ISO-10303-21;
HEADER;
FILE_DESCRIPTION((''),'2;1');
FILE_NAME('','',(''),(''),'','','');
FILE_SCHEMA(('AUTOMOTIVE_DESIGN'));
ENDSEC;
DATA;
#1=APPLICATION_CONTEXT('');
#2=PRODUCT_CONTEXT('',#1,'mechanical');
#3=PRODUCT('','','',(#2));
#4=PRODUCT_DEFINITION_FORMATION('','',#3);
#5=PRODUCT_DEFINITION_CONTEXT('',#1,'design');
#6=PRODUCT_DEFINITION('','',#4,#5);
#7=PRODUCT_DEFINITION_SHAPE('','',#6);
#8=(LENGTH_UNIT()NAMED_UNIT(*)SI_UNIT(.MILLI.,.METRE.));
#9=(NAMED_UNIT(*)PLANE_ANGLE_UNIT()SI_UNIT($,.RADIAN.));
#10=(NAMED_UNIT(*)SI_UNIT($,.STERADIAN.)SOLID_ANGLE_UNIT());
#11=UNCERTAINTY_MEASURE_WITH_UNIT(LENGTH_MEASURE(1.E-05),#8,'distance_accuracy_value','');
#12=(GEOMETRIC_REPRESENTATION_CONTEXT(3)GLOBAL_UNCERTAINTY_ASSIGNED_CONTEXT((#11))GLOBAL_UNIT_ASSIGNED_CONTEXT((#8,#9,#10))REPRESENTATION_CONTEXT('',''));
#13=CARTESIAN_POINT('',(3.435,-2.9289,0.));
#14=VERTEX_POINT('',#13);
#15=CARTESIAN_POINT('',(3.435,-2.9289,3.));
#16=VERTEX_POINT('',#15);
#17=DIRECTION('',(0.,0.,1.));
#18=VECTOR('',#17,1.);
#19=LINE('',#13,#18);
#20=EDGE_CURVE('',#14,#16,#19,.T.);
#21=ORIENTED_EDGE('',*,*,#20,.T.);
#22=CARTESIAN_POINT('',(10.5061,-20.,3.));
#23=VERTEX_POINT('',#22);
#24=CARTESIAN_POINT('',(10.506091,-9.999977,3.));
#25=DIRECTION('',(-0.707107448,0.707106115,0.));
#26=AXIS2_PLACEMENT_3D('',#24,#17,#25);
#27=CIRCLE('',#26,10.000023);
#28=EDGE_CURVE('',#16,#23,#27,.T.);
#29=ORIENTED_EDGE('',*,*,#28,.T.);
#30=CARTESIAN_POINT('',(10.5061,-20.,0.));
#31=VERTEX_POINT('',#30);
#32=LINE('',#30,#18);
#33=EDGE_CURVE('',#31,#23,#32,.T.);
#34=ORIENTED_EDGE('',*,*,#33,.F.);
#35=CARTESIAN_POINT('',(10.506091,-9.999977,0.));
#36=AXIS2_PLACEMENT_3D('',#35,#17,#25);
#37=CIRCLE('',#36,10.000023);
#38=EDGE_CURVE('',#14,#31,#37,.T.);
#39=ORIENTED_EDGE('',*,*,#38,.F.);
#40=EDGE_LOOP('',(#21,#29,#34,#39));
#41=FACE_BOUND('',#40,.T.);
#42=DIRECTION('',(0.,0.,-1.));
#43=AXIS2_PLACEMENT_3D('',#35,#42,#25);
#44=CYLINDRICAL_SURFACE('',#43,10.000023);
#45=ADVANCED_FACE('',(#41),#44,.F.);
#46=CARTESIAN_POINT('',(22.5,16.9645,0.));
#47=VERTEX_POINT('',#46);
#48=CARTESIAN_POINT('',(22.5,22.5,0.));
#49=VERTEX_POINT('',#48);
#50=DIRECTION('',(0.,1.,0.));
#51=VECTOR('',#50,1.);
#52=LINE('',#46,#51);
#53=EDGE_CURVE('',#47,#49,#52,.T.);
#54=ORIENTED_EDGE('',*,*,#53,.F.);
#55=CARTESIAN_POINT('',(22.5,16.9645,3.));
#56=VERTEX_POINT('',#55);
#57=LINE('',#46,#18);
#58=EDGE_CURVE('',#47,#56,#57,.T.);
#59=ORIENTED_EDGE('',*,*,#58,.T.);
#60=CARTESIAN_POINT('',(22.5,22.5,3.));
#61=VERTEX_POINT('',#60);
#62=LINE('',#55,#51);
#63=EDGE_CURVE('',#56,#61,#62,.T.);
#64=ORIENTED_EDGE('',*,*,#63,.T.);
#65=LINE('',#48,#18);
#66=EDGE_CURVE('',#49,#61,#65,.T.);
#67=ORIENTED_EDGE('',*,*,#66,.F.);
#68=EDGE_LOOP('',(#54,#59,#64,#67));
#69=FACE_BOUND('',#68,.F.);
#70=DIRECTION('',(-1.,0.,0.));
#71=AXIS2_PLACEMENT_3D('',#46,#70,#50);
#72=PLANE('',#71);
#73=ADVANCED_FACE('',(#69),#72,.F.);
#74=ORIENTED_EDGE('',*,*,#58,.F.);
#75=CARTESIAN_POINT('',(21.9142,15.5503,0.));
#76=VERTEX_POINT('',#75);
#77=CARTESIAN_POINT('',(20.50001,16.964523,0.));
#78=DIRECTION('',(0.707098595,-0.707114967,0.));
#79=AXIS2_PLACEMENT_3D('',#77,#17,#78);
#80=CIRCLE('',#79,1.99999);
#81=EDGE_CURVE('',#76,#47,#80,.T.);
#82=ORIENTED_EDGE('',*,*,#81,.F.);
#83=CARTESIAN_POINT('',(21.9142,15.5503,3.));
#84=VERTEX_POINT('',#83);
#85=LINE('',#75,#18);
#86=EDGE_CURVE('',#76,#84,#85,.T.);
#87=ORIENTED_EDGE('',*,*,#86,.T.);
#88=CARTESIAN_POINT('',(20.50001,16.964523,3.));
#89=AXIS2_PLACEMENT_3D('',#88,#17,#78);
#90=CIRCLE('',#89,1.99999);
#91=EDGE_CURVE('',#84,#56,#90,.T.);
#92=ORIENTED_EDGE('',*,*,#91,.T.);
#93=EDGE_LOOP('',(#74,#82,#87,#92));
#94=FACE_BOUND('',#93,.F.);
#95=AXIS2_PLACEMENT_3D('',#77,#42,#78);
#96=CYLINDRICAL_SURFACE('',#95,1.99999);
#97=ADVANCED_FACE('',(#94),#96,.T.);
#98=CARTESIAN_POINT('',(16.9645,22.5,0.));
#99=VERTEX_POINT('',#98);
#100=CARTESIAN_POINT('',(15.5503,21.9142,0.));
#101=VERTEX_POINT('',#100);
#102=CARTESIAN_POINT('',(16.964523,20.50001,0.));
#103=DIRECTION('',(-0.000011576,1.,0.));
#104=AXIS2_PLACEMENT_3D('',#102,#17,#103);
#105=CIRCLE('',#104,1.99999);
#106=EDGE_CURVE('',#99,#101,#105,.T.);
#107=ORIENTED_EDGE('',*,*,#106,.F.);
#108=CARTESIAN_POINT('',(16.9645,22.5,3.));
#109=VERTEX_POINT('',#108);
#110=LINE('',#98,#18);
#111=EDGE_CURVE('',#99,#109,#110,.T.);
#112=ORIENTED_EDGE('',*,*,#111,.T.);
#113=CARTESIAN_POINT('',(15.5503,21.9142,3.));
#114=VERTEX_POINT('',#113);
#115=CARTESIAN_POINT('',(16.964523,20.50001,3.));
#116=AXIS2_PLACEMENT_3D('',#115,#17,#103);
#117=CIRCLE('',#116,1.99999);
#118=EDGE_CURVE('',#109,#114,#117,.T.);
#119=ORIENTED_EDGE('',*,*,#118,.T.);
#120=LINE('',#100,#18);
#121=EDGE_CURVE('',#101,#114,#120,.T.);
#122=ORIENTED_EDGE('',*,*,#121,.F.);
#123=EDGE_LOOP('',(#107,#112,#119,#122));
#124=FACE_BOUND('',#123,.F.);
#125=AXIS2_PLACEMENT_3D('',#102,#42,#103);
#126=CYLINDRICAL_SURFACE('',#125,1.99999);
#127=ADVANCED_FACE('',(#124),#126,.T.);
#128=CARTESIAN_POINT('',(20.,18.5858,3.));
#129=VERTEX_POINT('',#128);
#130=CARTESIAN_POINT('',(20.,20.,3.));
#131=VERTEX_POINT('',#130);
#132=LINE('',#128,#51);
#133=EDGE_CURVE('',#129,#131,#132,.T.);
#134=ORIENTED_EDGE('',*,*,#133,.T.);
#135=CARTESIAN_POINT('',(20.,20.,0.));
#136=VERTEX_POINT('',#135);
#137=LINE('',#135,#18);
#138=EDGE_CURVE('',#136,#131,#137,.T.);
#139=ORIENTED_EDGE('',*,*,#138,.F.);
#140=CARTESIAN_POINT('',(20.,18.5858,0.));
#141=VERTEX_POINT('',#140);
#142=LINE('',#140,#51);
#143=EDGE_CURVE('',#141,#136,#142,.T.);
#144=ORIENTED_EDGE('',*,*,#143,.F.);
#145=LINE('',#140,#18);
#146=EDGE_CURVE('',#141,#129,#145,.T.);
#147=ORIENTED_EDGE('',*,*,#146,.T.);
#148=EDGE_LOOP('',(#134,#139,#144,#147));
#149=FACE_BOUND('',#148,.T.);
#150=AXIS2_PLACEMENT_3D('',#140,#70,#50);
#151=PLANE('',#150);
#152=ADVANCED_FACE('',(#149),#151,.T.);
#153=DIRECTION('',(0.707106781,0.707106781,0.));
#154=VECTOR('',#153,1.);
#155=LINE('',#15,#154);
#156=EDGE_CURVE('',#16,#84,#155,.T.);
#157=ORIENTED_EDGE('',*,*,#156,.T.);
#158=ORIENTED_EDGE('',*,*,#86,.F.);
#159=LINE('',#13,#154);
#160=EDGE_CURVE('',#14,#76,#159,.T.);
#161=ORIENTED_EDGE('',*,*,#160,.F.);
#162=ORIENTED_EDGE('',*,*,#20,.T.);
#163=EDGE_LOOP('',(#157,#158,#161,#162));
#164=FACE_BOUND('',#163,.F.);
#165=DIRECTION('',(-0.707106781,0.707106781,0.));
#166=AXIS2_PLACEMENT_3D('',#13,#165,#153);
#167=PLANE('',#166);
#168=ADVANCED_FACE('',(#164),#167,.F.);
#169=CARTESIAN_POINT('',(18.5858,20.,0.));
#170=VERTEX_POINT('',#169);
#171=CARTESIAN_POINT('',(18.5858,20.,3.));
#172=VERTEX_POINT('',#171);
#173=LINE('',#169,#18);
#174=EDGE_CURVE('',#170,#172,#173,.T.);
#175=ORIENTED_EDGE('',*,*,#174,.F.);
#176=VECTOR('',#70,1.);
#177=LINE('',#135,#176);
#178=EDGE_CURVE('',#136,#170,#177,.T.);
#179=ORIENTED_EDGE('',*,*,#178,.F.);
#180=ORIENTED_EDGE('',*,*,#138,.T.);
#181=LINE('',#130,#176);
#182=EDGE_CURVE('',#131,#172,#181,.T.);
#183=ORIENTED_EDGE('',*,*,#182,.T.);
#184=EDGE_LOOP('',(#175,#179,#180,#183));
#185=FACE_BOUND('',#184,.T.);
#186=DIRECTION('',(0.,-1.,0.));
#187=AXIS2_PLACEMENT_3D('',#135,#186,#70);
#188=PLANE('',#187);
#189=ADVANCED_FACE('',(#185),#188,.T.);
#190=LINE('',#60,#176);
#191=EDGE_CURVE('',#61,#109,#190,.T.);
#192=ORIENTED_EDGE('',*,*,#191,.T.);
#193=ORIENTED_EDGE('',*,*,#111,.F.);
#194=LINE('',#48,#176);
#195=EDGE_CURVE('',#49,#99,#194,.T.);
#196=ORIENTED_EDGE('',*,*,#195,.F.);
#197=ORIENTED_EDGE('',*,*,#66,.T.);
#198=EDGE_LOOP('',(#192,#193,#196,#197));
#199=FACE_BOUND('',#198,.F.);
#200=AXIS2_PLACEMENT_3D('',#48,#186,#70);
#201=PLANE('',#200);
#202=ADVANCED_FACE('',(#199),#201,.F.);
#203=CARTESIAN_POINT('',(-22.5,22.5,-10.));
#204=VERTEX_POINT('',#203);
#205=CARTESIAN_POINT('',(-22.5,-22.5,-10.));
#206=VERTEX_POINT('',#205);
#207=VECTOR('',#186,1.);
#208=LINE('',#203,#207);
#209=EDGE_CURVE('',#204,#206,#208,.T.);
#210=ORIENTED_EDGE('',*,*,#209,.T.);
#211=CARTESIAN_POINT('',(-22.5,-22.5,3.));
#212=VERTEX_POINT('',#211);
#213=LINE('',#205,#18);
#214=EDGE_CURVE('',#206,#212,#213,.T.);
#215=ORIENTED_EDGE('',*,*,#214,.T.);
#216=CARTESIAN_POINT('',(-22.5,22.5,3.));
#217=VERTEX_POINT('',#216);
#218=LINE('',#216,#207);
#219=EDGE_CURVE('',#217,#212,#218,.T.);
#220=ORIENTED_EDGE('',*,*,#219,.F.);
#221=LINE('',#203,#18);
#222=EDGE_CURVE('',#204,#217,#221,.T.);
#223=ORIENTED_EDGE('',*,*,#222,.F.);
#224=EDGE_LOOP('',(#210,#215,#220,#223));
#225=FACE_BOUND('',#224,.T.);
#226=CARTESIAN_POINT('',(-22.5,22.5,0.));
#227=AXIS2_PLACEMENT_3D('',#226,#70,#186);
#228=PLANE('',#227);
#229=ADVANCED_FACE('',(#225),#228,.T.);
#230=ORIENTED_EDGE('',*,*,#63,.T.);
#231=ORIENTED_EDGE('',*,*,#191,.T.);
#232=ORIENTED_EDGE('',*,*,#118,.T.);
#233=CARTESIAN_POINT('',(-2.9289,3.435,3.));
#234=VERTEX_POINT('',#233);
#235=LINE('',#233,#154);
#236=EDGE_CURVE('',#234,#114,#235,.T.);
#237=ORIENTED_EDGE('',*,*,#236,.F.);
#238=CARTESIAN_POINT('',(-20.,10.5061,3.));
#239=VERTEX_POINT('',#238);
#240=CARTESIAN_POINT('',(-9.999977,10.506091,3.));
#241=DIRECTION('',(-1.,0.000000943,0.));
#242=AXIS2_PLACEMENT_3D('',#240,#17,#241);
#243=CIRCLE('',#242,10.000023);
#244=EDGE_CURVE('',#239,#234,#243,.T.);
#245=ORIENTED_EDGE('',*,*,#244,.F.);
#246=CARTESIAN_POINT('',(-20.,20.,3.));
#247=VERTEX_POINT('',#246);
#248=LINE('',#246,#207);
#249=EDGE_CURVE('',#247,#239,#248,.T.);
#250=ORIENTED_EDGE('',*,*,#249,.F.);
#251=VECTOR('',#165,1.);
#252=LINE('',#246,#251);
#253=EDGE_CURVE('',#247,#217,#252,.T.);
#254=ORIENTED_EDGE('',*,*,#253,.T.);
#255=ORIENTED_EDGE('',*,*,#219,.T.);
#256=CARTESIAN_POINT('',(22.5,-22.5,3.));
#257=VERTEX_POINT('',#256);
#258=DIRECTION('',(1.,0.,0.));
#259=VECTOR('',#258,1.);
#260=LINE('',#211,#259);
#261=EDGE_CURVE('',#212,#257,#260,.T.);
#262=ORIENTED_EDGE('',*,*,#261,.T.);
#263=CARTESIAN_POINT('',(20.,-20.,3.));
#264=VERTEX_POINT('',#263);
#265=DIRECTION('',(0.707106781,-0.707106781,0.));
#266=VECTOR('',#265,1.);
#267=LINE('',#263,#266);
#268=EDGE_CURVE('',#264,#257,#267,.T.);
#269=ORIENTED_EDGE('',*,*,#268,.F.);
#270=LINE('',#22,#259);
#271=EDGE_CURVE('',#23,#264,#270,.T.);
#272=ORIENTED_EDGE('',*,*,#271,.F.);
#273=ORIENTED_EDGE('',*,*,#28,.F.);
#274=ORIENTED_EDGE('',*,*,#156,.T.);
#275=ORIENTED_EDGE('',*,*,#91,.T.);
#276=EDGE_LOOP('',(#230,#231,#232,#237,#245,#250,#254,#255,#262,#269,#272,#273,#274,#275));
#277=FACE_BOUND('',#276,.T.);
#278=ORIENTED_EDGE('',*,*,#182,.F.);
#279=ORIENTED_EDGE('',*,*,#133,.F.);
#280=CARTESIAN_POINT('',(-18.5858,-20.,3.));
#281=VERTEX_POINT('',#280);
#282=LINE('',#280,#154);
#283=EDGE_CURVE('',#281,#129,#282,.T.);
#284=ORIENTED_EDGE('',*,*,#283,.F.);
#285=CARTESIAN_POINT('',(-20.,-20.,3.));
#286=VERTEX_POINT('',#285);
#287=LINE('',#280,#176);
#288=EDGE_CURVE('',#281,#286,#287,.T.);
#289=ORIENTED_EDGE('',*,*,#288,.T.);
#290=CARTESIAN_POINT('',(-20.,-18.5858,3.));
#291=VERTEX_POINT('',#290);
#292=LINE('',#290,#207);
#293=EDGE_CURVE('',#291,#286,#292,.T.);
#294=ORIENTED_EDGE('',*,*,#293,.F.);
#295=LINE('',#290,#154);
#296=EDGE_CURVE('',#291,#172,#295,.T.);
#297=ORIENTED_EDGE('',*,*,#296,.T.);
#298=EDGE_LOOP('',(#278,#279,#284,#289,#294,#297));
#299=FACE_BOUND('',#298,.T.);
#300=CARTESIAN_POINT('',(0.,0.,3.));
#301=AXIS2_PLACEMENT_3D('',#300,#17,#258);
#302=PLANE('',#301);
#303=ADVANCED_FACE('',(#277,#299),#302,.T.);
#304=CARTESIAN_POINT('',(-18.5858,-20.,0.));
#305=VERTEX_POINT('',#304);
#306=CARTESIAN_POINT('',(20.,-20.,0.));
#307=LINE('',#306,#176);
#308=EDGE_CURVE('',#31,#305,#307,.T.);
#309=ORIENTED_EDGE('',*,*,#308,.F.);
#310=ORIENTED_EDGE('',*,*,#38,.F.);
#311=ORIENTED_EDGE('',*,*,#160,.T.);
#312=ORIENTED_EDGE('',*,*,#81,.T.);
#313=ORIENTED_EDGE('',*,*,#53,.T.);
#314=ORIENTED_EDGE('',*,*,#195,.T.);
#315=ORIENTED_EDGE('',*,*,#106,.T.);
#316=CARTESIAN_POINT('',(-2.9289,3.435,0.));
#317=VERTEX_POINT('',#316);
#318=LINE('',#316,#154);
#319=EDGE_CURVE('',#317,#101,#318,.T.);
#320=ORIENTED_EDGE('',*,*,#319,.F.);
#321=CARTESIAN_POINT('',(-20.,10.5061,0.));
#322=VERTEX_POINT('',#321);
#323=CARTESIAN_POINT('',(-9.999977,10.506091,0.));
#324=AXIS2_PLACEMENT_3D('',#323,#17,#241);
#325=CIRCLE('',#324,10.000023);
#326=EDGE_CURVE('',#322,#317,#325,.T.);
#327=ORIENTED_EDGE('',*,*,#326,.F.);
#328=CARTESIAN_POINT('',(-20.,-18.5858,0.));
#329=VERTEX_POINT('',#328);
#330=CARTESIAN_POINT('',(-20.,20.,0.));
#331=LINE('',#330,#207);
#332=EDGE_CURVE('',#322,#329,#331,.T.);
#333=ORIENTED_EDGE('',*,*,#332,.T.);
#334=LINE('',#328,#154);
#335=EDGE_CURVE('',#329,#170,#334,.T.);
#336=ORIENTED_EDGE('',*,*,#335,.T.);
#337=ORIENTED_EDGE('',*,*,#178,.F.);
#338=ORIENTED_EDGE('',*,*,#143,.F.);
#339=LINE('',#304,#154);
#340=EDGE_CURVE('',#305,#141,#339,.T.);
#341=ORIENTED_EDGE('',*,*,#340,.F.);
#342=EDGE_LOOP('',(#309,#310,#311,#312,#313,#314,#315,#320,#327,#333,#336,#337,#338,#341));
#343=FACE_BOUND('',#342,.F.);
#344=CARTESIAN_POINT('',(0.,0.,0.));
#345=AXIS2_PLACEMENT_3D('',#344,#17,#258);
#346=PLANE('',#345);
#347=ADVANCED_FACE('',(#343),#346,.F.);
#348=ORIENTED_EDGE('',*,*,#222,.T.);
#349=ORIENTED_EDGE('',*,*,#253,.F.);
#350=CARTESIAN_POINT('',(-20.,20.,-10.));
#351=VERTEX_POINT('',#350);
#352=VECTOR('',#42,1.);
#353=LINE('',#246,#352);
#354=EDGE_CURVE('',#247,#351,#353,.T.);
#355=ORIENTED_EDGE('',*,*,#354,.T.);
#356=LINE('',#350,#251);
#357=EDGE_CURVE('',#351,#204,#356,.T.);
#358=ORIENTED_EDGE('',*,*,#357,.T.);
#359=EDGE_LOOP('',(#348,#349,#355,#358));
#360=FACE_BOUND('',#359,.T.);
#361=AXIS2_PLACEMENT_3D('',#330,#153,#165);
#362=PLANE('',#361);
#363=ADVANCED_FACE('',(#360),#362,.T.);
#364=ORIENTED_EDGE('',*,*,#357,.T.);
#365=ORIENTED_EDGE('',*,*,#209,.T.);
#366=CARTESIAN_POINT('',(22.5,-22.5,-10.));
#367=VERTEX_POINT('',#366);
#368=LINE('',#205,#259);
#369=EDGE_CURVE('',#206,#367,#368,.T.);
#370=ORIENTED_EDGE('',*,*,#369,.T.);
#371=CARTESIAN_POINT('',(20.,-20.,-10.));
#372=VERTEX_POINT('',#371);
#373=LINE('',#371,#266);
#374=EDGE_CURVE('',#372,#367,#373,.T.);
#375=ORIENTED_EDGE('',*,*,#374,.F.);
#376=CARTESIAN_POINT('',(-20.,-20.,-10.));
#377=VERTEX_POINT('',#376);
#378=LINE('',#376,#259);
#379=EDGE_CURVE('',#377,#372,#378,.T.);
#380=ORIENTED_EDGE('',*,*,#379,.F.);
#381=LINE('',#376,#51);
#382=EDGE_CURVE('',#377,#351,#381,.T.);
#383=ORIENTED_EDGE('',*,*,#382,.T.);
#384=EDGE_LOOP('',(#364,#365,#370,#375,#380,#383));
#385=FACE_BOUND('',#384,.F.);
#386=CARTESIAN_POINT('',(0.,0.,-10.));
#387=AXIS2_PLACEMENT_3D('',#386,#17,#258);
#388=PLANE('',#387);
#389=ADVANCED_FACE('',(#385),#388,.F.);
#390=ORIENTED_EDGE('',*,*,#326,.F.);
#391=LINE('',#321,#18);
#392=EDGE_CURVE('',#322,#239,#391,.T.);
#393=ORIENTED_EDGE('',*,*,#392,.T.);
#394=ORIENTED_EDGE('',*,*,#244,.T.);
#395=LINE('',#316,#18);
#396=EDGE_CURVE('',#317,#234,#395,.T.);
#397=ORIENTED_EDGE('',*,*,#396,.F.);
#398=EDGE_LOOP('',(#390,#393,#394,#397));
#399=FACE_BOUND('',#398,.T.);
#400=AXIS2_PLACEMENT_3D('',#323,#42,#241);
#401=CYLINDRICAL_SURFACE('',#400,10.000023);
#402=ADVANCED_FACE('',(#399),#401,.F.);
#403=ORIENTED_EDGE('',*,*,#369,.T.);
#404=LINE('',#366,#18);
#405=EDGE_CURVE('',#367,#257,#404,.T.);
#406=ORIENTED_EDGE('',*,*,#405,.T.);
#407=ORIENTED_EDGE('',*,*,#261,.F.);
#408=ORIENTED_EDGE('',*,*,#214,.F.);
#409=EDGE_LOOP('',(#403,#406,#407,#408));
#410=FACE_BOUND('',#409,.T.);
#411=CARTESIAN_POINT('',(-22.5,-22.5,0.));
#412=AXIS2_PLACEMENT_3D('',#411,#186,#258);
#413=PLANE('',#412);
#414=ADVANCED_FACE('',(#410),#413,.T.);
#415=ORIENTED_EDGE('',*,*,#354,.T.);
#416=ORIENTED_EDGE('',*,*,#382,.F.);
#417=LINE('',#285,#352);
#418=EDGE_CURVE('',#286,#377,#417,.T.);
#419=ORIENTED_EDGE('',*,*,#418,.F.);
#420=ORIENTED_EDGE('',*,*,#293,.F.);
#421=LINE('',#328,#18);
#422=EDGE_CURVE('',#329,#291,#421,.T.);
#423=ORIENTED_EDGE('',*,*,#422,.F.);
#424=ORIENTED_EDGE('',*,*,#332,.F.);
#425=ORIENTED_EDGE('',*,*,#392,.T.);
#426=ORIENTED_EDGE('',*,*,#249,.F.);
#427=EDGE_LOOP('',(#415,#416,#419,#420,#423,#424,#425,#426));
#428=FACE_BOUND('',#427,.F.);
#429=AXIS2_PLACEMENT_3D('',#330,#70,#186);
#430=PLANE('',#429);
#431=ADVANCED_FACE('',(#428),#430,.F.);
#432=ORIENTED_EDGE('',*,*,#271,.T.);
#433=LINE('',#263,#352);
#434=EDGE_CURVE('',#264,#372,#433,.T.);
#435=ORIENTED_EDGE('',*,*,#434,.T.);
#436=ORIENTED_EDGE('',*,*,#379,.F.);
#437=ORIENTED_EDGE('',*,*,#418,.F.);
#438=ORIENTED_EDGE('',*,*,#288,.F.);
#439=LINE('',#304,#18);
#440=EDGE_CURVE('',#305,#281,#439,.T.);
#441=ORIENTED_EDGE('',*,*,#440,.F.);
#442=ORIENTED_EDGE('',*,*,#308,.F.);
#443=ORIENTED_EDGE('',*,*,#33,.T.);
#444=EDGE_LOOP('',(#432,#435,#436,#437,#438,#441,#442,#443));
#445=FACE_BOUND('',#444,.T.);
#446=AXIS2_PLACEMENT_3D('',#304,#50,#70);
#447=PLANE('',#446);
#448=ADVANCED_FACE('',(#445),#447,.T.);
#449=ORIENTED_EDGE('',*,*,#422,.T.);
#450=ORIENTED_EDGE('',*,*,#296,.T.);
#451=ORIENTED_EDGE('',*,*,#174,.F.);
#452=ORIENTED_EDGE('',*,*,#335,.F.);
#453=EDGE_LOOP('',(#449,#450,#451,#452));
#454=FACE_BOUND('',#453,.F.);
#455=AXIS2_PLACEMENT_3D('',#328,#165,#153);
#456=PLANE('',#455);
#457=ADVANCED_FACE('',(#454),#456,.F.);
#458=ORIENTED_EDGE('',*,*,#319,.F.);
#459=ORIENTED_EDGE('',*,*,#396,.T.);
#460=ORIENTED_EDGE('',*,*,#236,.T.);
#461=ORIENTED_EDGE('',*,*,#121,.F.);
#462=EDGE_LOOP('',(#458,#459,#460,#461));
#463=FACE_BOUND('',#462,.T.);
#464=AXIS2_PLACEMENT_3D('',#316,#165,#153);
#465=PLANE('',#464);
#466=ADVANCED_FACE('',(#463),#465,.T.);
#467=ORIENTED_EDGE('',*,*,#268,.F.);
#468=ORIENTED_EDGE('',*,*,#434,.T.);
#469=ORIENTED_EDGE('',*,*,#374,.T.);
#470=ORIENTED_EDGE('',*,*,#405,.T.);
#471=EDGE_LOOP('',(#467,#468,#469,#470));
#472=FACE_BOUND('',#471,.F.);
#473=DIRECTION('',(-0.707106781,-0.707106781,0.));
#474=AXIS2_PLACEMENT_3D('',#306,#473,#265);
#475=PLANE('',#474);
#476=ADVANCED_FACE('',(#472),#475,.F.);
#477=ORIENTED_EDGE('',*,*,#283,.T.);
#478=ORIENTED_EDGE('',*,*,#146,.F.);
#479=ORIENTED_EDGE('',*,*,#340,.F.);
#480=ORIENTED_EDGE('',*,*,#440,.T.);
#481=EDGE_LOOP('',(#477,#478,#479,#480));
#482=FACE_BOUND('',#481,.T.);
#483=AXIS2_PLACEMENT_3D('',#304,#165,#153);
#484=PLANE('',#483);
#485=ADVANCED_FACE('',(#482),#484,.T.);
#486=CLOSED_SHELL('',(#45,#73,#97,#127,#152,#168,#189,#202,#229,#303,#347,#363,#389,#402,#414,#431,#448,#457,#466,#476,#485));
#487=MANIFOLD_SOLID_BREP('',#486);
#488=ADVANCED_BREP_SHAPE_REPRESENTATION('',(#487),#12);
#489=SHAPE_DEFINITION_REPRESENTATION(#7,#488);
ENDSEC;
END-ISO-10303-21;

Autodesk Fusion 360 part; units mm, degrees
sketch "Sketch1" plane through (0, 0, 0) normal (0, 0, 1) x (1, 0, 0)
  line L0 (-22.5, 22.5) -> (-22.5, -22.5)
  line L1 (-22.5, -22.5) -> (22.5, -22.5)
  line L2 (22.5, 16.9645) -> (22.5, 22.5)
  line L3 (-20, 20) -> (-20, 10.5061)
  line L4 (20, 20) -> (18.5858, 20)
  line L5 (-20, 20) -> (-22.5, 22.5)
  line L6 (-2.9289, 3.435) -> (15.5503, 21.9142)
  line L7 (22.5, 22.5) -> (16.9645, 22.5)
  line L8 (10.5061, -20) -> (20, -20)
  line L9 (20, -20) -> (22.5, -22.5)
  line L10 (3.435, -2.9289) -> (21.9142, 15.5503)
  line L11 (20, 18.5858) -> (20, 20)
  arc A0 (3.435, -2.9289) -> (10.5061, -20) centre (10.5061, -10) ccw
  arc A1 (-20, 10.5061) -> (-2.9289, 3.435) centre (-10, 10.5061) ccw
  line L12 (-18.5858, -20) -> (-20, -20)
  line L13 (-20, -18.5858) -> (-20, -20)
  line L14 (-18.5858, -20) -> (20, 18.5858)
  line L15 (-20, -18.5858) -> (18.5858, 20)
  arc A2 (21.9142, 15.5503) -> (22.5, 16.9645) centre (20.5, 16.9645) ccw
  arc A3 (16.9645, 22.5) -> (15.5503, 21.9142) centre (16.9645, 20.5) ccw
  line L16 (-20, 20) -> (-20, -18.5858)
  line L17 (20, -20) -> (-18.5858, -20)
  dimension "d3" = 45
  dimension "d4" = 45
  dimension "d5" = 10
  dimension "d6" = 2
extrude "Extrude1" add sketch "Sketch1" along normal blind 3 contours L0 L1 L3 L5 L8 L9 L12 L13 L16 L17 | L2 L4 L6 L7 L10 L11 A0 A1 L14 L15 A2 A3 L16 L17
extrude "Extrude2" add sketch "Sketch1" against normal blind 10 contours L0 L1 L3 L5 L8 L9 L12 L13 L16 L17
